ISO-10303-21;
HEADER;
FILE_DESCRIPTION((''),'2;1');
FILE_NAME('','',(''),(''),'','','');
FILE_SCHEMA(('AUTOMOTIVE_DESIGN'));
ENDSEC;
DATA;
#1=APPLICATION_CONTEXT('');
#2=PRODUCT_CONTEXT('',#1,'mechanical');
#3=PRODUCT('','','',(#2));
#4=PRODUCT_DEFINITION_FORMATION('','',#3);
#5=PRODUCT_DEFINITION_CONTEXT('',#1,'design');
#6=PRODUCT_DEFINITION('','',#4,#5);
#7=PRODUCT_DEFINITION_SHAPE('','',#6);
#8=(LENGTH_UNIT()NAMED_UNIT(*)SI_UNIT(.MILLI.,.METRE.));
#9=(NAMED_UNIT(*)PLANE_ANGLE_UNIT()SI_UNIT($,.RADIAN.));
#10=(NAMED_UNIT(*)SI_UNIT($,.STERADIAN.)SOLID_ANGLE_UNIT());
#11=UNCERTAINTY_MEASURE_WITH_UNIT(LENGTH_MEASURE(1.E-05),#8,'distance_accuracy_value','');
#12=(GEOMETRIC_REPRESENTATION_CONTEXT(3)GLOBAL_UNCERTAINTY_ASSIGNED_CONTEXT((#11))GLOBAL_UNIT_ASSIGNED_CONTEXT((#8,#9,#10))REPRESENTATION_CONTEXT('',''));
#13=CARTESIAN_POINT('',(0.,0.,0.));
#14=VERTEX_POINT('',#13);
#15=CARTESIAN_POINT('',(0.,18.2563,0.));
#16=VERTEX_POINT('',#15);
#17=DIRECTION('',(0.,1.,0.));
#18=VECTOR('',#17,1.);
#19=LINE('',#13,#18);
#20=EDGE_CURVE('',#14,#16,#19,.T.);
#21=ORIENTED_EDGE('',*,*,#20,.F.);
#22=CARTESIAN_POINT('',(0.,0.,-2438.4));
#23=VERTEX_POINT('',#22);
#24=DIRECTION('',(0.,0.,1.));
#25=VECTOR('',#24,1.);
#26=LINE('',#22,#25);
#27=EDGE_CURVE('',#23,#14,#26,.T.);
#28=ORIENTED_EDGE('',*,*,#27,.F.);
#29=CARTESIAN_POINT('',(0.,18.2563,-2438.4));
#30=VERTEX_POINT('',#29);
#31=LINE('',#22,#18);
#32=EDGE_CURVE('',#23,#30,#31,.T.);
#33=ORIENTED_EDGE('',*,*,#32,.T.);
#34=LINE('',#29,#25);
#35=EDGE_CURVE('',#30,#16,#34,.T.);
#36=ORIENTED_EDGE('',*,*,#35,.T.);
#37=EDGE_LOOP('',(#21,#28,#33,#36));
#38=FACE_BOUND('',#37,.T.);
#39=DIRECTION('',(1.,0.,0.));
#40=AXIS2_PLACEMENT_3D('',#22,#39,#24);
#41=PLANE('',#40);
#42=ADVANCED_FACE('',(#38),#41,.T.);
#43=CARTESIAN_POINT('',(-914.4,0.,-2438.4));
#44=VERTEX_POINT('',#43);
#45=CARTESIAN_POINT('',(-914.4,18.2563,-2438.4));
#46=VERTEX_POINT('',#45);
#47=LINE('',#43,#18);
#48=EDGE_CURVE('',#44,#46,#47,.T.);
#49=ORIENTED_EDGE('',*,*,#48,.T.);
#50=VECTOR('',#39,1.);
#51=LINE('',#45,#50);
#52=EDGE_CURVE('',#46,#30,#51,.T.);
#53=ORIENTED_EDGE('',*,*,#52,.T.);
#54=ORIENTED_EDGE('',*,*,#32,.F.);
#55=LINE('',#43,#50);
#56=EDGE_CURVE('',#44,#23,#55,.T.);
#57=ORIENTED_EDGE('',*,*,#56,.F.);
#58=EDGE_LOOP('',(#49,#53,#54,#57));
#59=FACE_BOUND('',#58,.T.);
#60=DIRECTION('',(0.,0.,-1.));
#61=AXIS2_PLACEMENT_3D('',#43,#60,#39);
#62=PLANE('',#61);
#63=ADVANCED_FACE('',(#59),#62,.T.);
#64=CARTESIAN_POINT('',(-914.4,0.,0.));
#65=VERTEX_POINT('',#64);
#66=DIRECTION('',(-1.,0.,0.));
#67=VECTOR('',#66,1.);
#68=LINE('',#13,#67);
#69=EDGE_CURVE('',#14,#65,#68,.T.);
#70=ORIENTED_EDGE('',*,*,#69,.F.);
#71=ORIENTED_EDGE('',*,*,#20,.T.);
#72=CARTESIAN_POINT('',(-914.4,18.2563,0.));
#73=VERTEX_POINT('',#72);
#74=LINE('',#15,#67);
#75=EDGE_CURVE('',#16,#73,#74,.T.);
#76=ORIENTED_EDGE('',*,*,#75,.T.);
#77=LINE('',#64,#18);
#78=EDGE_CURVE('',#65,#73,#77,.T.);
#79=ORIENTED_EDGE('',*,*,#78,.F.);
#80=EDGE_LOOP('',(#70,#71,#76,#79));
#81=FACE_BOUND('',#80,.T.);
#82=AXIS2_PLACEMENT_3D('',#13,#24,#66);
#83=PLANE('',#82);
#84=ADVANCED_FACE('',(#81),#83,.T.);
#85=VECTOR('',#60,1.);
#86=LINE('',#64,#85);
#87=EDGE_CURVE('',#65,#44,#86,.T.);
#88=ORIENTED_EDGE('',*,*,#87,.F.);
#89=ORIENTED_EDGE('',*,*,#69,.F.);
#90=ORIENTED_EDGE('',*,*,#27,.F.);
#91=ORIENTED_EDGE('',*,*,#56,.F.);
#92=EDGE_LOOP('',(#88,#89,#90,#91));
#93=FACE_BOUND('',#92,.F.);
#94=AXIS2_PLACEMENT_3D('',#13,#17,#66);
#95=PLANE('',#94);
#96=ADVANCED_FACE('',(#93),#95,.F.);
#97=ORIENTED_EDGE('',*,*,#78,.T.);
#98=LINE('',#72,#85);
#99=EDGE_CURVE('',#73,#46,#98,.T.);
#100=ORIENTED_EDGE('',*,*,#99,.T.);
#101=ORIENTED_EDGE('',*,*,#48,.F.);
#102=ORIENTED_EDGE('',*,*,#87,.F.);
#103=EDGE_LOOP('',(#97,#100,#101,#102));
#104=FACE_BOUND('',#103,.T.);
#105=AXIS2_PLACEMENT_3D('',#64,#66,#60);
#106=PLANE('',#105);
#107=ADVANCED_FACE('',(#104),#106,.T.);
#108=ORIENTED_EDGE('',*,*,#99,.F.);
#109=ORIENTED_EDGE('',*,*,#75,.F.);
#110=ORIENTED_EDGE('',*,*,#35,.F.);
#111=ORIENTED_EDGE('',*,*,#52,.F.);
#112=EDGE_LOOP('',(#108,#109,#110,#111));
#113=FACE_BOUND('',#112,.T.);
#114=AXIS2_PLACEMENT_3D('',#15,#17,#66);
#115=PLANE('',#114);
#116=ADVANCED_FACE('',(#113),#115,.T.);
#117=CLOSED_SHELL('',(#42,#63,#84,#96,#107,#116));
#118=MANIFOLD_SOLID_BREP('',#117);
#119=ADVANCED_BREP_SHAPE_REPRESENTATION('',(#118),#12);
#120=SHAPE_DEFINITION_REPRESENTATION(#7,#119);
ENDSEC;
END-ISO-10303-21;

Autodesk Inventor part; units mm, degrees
ref_plane "YZ Plane" through (0, 0, 0) normal (1, 0, 0) x (0, 1, 0)
ref_plane "XZ Plane" through (0, 0, 0) normal (0, 1, 0) x (-1, 0, 0)
ref_plane "XY Plane" through (0, 0, 0) normal (0, 0, 1) x (1, 0, 0)
sketch "Sketch1" plane through (0, 0, 0) normal (0, 1, 0) x (-1, 0, 0)
  line L0 (0, 0) -> (914.4, 0)
  line L1 (914.4, 0) -> (914.4, -2438.4)
  line L2 (914.4, -2438.4) -> (0, -2438.4)
  line L3 (0, -2438.4) -> (0, 0)
  dimension "d2" = 2438.4
  dimension "d3" = 914.4
extrude "Extrusion1" add sketch "Sketch1" along normal blind 18.2563
properties part number "OSB_For_Subfloor_With_Dimensions_96_x_36_Inches" material "Wood (Birch)"
